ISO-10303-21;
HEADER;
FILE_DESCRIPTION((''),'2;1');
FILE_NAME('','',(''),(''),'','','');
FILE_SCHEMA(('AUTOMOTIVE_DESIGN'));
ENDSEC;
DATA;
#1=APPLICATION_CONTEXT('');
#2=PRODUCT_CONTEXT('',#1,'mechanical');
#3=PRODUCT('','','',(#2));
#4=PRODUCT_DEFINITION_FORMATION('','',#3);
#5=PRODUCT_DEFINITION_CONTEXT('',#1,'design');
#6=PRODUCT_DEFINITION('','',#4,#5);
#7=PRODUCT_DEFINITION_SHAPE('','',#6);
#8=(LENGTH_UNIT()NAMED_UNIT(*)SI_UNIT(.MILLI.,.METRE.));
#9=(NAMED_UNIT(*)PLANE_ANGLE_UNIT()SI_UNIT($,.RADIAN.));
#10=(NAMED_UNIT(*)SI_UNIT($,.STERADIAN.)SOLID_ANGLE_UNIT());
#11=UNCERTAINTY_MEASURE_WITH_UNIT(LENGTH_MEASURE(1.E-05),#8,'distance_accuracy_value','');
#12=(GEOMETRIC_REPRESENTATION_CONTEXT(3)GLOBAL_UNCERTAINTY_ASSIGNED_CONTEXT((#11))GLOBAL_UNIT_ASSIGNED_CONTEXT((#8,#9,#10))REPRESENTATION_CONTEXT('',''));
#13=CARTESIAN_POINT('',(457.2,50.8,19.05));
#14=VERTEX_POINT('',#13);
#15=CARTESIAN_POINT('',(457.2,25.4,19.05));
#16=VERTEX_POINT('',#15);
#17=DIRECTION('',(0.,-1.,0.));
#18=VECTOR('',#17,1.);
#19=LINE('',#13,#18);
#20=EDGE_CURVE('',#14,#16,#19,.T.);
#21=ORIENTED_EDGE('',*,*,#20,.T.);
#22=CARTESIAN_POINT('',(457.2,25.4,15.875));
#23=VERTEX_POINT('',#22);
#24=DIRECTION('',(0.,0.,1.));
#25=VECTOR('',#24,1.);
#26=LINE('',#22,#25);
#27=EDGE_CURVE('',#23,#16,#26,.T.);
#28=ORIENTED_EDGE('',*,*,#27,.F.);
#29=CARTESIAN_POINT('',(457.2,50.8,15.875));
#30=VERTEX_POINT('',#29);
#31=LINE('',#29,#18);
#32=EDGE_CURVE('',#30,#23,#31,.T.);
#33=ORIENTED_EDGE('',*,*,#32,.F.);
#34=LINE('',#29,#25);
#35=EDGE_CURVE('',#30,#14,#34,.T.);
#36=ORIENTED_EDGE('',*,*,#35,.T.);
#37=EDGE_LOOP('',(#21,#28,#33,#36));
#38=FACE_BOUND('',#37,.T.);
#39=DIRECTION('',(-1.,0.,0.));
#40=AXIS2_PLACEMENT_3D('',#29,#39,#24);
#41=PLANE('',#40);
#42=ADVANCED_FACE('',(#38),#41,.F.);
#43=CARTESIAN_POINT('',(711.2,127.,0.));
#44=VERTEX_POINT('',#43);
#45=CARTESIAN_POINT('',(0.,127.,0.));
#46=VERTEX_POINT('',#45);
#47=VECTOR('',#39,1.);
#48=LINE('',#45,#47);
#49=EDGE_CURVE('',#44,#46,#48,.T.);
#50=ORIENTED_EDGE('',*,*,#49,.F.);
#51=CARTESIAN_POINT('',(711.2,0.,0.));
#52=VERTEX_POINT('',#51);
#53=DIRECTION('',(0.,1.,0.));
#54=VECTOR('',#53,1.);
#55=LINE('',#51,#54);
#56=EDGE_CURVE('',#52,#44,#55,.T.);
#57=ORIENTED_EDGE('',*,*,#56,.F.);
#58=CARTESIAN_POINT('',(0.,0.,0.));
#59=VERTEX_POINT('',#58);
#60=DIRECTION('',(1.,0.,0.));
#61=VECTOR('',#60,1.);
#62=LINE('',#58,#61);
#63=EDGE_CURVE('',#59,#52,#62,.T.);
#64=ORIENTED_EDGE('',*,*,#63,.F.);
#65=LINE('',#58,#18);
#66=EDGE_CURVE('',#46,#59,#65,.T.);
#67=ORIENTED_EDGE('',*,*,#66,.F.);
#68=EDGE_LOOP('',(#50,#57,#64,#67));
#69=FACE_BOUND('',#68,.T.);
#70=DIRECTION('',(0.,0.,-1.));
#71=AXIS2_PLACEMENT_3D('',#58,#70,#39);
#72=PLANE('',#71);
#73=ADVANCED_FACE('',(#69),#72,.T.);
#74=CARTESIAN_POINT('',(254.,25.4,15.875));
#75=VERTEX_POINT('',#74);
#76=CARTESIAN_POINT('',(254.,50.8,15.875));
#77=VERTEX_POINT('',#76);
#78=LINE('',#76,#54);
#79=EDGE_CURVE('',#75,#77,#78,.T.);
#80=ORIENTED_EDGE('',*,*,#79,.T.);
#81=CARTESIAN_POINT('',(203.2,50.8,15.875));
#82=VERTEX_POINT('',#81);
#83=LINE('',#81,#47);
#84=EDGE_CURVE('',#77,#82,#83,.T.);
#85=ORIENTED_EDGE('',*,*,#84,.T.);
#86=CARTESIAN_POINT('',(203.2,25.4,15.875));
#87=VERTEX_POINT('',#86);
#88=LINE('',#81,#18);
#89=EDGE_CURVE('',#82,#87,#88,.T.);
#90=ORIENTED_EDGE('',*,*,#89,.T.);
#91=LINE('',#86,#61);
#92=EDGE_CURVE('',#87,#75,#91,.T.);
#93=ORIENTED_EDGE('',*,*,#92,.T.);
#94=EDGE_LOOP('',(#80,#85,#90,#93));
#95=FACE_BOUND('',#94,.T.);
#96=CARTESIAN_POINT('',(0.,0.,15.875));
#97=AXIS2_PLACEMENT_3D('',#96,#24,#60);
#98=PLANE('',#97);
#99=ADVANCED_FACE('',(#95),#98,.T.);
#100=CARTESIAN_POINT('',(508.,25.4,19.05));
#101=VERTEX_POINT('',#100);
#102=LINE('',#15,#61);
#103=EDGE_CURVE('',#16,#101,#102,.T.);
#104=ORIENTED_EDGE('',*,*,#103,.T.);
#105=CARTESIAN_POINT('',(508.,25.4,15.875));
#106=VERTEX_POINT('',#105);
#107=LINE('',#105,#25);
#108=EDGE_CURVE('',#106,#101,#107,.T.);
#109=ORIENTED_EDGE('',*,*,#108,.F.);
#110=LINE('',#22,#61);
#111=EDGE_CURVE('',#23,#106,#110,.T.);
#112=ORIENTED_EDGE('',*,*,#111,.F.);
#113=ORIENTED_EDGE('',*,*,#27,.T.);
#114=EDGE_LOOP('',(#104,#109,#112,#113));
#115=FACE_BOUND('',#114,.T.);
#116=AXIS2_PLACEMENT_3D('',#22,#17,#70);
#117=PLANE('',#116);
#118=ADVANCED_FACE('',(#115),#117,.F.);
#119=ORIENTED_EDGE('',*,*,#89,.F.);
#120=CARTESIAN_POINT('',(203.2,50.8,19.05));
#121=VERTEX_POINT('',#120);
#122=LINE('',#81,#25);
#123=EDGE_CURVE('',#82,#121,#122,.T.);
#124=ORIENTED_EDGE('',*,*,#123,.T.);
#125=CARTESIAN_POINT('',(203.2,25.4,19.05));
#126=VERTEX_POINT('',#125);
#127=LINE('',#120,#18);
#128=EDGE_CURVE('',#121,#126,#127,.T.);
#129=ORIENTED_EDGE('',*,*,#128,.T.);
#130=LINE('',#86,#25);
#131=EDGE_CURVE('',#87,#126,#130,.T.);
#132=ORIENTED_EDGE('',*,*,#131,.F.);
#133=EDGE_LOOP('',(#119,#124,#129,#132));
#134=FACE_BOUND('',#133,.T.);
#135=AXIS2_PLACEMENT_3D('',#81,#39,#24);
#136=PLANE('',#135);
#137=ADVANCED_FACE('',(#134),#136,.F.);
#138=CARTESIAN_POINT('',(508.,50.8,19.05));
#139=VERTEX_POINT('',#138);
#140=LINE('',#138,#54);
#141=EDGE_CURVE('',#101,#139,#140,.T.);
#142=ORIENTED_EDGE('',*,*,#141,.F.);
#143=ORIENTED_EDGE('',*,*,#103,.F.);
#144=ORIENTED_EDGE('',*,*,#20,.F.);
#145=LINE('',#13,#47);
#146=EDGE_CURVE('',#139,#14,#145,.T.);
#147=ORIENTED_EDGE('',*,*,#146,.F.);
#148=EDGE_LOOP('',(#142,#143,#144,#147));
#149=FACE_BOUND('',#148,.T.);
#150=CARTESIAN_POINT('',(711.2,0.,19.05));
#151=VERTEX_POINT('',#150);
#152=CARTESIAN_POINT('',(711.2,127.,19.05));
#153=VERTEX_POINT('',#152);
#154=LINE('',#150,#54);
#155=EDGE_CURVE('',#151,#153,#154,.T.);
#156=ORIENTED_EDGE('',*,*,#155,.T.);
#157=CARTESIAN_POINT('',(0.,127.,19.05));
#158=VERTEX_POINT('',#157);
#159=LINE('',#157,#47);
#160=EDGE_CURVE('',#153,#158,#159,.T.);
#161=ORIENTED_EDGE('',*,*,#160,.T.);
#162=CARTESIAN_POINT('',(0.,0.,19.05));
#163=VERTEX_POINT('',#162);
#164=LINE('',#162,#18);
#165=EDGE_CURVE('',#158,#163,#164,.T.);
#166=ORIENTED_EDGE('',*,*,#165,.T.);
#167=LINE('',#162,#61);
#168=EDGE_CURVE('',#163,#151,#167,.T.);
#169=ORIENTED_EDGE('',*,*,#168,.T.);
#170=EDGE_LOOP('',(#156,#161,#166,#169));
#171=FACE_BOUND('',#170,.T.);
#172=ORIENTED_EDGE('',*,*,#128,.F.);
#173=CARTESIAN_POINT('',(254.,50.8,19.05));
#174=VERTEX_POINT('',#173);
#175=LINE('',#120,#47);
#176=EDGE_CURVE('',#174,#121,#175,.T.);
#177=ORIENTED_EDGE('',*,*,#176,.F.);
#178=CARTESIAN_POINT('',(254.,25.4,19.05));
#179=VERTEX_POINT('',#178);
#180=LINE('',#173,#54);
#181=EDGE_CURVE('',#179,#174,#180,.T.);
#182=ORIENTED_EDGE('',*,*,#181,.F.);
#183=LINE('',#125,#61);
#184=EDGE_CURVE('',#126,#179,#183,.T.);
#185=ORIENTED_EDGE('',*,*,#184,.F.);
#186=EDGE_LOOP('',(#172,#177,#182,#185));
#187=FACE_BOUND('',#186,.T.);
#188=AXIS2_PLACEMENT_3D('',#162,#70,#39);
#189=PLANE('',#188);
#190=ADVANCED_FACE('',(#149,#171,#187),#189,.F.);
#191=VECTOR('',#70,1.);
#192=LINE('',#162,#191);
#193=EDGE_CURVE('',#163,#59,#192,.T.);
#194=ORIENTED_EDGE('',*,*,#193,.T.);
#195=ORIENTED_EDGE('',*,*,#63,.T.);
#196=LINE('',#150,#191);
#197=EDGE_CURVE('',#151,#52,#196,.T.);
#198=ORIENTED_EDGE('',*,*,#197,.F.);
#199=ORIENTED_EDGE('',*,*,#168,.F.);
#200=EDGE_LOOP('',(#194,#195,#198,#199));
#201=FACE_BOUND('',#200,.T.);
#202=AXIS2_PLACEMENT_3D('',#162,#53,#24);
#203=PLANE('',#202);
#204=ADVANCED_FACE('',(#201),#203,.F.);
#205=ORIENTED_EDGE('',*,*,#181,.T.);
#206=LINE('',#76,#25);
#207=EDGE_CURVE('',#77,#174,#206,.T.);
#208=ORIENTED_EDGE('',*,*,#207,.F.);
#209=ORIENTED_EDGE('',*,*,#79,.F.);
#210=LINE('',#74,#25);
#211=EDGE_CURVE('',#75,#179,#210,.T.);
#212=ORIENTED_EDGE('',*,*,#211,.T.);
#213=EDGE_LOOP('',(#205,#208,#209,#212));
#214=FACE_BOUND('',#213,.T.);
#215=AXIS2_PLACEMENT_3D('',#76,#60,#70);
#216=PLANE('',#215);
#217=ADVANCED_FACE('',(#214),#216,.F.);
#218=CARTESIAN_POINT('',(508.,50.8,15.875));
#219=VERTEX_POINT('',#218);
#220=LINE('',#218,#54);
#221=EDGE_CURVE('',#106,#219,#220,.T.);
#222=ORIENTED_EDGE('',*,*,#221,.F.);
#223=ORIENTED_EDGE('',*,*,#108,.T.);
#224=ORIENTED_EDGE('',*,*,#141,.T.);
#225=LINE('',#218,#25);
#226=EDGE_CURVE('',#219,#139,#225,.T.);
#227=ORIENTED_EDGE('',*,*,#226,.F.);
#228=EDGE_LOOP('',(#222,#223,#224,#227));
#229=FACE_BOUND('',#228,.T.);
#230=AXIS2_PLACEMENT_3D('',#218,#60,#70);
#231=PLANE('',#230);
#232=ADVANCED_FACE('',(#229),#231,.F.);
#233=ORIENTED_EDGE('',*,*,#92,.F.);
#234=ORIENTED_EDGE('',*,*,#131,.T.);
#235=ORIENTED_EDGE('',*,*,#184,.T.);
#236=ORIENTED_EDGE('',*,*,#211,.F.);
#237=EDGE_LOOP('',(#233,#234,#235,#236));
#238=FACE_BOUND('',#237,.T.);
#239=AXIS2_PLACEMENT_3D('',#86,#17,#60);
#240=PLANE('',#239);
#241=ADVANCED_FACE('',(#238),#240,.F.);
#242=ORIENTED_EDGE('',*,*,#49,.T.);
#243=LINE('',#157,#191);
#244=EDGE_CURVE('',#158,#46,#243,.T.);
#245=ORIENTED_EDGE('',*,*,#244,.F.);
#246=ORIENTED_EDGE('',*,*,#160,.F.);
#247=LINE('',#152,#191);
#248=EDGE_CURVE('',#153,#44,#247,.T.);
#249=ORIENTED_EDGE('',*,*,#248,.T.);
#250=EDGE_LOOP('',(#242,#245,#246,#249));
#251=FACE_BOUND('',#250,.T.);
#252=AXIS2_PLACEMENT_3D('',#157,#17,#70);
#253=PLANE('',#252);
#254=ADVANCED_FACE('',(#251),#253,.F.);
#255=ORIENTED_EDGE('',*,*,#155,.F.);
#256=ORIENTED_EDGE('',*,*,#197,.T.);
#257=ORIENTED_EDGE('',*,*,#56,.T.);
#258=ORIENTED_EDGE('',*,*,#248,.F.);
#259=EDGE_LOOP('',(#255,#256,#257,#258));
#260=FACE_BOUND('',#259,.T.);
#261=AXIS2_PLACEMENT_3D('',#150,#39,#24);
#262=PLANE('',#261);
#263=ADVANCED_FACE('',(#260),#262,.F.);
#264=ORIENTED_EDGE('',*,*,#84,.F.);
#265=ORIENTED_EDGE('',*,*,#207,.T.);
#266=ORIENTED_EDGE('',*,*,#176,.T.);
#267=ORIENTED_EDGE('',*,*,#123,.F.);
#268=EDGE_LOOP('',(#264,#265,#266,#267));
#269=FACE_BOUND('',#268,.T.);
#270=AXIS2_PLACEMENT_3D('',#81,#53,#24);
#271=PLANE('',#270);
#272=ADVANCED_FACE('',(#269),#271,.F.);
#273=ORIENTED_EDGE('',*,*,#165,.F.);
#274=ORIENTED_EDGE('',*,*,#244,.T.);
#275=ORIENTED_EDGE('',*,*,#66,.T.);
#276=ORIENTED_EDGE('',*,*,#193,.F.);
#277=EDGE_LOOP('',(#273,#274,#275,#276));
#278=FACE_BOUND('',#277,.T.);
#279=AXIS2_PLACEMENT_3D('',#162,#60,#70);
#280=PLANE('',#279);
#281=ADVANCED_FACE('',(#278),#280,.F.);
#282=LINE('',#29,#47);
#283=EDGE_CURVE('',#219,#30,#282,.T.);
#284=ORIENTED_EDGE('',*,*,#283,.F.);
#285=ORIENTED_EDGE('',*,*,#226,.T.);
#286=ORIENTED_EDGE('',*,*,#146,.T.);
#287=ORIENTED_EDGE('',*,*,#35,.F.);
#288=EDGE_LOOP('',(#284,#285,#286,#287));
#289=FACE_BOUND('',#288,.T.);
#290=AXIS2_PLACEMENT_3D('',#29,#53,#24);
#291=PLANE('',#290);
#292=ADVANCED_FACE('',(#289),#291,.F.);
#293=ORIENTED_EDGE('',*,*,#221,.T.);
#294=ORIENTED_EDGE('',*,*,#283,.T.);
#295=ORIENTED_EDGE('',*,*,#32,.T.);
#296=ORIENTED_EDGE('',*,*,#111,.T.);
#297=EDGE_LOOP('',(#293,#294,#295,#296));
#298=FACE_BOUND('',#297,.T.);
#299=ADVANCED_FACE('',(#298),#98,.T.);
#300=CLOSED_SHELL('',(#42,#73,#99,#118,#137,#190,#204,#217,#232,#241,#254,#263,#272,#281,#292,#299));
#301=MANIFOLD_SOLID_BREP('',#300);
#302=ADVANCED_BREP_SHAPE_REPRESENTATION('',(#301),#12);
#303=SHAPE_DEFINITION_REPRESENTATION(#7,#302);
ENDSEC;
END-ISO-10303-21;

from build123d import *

# Parameters (mm, degrees)
SKETCH1_W           = 711.2
SKETCH1_H           = 127
BOSS_EXTRUDE1_DEPTH = 19.05
SKETCH2_W           = 50.8
SKETCH2_H           = 25.4
CUT_EXTRUDE1_DEPTH  = 3.175


with BuildPart() as part:
    # Sketch1 → Boss-Extrude1 (new body)
    with BuildSketch(Plane.XY):
        with Locations((355.6, 63.5)):
            Rectangle(SKETCH1_W, SKETCH1_H)
    extrude(amount=BOSS_EXTRUDE1_DEPTH)

    # Sketch2 → Cut-Extrude1 (cut)
    with BuildSketch(Plane.XY.offset(19.05)):
        with Locations((228.6, 38.1)):
            Rectangle(SKETCH2_W, SKETCH2_H)
        with Locations((482.6, 38.1)):
            Rectangle(SKETCH2_W, SKETCH2_H)
    extrude(amount=-CUT_EXTRUDE1_DEPTH, mode=Mode.SUBTRACT)


solid = part.part
